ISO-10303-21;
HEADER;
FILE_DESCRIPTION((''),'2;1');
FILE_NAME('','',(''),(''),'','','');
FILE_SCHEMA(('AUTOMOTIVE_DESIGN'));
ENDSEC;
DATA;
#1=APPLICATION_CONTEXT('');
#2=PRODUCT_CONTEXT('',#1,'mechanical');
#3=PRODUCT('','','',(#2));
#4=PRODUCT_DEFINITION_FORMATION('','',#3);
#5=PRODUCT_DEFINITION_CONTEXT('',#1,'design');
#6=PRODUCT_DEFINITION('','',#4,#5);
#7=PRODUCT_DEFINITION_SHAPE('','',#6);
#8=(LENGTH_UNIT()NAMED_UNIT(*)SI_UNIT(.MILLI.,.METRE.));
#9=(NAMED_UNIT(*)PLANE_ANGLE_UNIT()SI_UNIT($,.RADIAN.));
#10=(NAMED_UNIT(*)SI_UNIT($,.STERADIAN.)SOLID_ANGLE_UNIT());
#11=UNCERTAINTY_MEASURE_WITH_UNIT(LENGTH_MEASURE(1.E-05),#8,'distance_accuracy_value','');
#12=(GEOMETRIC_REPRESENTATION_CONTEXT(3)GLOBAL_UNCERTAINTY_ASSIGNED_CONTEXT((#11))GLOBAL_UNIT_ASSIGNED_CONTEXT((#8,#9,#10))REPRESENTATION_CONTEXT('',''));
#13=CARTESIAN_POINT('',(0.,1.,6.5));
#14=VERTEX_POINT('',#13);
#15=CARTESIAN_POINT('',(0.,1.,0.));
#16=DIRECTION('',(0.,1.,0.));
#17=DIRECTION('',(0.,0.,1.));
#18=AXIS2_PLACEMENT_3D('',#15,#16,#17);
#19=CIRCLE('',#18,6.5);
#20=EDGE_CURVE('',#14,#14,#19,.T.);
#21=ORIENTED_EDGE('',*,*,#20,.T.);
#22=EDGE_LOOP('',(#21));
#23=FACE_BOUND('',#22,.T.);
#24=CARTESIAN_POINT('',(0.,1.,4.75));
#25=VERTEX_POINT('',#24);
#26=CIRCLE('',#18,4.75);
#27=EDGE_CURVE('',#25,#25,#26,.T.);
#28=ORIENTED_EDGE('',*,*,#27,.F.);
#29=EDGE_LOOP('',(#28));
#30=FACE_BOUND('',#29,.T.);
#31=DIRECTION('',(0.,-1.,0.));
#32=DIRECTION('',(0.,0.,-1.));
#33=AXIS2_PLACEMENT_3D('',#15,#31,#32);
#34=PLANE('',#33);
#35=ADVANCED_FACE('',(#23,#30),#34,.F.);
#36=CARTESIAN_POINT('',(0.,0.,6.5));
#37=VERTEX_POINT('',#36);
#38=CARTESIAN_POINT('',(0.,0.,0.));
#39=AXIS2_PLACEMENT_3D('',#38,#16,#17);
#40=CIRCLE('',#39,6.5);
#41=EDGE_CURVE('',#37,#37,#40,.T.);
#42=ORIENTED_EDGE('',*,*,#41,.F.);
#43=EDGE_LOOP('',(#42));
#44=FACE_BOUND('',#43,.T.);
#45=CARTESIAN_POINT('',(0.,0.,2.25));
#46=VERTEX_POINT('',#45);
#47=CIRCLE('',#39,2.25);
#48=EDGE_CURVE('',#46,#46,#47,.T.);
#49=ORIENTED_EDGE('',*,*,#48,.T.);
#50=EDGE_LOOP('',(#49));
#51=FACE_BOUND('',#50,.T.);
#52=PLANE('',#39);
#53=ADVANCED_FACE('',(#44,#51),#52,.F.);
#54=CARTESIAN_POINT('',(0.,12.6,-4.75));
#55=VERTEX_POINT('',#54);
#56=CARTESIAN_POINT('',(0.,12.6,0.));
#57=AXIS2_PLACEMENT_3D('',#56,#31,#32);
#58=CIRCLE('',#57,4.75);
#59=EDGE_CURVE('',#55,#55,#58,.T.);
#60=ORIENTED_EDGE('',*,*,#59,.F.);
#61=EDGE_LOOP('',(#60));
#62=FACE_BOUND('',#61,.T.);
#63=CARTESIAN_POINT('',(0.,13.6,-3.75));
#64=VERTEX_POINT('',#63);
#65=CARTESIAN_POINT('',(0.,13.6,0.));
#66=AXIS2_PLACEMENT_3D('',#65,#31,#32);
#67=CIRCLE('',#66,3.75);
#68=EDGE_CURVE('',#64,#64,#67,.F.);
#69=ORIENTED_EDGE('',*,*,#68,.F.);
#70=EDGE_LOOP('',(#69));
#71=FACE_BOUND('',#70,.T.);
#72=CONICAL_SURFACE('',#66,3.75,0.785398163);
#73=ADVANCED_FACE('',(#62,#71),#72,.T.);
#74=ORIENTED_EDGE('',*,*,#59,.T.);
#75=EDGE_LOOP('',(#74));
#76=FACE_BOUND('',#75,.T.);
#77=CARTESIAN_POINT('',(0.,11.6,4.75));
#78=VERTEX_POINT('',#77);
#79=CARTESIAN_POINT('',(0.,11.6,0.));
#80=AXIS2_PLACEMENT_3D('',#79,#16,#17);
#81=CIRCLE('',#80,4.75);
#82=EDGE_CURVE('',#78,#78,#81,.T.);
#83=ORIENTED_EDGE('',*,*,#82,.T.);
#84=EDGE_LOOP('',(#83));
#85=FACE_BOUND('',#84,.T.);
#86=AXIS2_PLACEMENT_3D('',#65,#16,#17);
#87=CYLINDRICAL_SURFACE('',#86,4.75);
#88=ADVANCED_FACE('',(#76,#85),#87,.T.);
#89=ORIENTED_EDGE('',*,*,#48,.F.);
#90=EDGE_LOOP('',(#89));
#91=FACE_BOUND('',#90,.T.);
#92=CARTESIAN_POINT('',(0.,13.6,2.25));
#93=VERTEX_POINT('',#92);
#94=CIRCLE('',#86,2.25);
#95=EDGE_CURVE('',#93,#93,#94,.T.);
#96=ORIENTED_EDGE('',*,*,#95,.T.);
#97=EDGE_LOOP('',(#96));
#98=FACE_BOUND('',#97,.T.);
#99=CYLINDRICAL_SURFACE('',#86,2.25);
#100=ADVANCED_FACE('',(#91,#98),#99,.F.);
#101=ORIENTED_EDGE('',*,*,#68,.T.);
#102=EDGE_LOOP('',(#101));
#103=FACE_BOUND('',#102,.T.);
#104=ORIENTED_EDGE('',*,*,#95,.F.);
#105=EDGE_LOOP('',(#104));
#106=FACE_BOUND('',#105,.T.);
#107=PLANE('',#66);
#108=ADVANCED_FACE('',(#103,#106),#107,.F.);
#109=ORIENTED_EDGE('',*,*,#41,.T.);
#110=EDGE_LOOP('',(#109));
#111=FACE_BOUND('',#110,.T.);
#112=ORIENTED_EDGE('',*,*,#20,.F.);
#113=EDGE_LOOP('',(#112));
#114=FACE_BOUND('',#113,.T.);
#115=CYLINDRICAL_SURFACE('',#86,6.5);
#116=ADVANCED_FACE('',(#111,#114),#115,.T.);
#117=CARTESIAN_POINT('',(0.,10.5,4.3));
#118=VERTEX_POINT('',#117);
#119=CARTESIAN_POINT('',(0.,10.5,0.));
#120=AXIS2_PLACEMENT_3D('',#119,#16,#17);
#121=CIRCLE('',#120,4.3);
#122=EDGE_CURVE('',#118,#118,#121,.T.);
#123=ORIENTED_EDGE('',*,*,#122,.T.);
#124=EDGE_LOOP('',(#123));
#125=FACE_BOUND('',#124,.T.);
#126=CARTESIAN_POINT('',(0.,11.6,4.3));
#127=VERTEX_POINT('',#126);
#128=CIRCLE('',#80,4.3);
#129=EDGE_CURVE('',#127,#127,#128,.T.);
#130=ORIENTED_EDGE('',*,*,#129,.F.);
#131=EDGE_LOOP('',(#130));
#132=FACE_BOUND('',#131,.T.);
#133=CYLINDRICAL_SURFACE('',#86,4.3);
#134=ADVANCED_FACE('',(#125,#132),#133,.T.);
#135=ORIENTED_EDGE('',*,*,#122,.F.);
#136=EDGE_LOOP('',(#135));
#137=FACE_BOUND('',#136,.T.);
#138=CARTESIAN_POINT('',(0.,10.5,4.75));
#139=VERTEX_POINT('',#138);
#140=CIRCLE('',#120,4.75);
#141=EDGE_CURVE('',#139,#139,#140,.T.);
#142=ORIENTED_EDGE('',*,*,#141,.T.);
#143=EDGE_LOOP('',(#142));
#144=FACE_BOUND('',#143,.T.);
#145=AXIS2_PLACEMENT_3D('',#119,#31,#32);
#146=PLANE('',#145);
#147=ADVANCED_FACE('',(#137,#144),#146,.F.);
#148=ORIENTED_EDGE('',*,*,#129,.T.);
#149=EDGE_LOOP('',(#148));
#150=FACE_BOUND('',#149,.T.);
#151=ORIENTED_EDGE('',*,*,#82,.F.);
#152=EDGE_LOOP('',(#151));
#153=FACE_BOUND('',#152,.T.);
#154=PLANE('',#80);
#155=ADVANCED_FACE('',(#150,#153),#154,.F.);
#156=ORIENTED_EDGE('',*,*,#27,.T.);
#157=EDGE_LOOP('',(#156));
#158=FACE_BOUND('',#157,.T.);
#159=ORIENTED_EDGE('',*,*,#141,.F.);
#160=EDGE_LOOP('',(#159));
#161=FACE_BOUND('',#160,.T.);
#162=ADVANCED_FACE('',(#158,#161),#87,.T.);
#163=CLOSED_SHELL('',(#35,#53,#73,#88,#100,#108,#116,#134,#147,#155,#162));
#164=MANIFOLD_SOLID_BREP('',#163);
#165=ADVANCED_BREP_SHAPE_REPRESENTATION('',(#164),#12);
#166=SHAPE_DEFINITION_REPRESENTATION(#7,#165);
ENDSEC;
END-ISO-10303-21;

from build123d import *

# Parameters (mm, degrees)
CHAMFER1_SIZE = 1


with BuildPart() as part:
    # Sketch1 → Revolve1 (revolve)
    with BuildSketch(Plane.XY, mode=Mode.PRIVATE) as revolve1_sk:
        Polygon((2.25, 13.6), (2.25, 0), (6.5, 0), (6.5, 1), (4.75, 1), (4.75, 10.5), (4.3, 10.5), (4.3, 11.6), (4.75, 11.6), (4.75, 13.6), align=None)
    revolve(revolve1_sk.sketch.rotate(Axis((0, 13.6, 0), (0, -1, 0)), 90), axis=Axis((0, 13.6, 0), (0, -1, 0)))

    # Chamfer1
    chamfer1_edges = [part.edges().sort_by_distance(p)[0] for p in [
        (0, 13.6, -4.75),
    ]]
    chamfer(chamfer1_edges, length=CHAMFER1_SIZE)


solid = part.part
